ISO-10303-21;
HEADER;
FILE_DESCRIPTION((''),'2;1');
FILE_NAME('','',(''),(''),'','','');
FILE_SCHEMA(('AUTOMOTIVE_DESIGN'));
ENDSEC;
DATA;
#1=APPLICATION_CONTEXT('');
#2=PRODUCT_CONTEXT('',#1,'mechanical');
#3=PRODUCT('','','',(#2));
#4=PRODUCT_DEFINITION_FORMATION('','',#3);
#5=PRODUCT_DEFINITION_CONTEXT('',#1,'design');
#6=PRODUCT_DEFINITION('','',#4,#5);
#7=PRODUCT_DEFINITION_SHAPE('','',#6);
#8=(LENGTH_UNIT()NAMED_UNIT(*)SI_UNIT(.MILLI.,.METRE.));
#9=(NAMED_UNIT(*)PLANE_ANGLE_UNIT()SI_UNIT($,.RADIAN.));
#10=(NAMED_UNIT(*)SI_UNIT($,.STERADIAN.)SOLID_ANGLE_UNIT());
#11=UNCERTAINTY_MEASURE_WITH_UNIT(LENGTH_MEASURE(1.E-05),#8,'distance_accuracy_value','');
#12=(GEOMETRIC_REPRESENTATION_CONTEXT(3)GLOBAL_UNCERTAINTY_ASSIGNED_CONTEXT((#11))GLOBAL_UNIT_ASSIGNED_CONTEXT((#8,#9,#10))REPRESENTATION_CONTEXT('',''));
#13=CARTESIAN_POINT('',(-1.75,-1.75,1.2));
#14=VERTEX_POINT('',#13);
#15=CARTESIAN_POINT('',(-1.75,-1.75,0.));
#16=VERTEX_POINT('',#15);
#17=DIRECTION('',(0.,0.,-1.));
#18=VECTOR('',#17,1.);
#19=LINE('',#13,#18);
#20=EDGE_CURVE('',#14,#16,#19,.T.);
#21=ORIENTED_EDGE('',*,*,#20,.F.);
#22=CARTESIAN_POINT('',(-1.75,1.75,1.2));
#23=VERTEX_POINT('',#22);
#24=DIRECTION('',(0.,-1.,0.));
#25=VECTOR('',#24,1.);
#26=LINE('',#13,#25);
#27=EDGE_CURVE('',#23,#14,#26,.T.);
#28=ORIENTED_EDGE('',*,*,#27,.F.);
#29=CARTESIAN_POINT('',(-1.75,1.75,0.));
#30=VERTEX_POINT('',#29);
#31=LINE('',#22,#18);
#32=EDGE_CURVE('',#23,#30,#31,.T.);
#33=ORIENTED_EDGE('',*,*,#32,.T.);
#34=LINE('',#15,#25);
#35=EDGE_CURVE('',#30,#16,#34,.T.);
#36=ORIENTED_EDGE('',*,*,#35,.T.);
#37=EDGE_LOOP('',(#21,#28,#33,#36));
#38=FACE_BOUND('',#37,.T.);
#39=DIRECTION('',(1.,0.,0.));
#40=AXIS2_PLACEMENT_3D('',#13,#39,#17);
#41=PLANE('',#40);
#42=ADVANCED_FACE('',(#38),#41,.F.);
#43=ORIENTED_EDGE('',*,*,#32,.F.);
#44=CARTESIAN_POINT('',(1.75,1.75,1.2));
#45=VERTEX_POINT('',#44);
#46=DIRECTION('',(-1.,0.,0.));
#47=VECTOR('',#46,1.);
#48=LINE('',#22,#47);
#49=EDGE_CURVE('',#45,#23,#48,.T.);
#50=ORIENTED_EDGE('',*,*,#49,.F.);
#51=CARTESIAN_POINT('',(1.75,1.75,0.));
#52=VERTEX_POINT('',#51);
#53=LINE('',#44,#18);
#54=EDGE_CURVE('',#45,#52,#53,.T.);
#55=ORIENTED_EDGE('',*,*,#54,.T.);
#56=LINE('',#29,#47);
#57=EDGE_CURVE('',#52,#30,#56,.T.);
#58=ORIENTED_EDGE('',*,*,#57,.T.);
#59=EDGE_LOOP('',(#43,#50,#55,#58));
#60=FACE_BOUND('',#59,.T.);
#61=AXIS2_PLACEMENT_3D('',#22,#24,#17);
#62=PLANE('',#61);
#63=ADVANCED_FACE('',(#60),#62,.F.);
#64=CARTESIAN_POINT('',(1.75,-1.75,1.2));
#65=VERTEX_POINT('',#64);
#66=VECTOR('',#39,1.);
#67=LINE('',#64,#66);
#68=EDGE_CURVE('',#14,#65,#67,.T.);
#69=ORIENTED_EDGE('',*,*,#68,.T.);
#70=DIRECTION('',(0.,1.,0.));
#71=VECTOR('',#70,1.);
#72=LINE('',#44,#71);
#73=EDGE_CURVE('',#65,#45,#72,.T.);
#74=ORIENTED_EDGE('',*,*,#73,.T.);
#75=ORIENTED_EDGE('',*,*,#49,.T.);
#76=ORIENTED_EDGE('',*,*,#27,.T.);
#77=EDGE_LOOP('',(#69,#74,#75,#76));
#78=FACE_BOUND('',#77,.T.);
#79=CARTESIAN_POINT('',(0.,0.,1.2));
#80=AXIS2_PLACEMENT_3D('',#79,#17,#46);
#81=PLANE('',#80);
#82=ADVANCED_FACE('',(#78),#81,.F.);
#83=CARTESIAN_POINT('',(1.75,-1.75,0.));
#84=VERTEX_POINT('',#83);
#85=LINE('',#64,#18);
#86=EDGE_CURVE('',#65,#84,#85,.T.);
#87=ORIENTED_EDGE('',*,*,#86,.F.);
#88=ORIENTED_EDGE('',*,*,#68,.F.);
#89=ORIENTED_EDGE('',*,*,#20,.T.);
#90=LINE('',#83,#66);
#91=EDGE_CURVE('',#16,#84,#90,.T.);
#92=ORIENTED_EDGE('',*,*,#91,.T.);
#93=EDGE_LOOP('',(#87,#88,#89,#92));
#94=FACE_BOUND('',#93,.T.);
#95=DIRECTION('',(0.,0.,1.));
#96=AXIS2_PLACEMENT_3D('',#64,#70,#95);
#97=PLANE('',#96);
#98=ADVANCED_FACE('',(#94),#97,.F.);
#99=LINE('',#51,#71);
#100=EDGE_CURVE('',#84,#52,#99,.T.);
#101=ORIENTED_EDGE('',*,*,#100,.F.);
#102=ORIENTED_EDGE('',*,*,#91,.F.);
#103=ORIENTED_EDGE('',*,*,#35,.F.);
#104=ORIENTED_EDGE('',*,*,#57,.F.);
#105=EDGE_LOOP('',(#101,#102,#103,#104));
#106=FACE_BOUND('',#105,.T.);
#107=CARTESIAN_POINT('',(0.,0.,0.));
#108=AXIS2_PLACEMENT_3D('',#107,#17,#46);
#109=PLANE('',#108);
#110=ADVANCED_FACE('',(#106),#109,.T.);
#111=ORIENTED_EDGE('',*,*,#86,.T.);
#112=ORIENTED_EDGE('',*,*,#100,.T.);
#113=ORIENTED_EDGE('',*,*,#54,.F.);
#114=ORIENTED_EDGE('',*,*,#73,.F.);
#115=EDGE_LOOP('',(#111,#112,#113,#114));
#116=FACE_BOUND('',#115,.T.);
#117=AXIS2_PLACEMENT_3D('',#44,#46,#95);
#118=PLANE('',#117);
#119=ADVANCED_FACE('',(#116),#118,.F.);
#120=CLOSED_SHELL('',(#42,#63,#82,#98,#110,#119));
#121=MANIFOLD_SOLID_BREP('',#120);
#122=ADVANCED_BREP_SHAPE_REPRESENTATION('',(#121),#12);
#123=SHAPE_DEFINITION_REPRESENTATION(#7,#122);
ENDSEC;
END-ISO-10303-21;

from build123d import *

# Parameters (mm, degrees)
SKETCH_1_W              = 3.5
SKETCH_1_H              = 3.5
COMPONENT_OUTLINE_DEPTH = 1.2


with BuildPart() as part:
    # 草图1 → Component_Outline (new body)
    with BuildSketch(Plane.XY):
        Rectangle(SKETCH_1_W, SKETCH_1_H)
    extrude(amount=COMPONENT_OUTLINE_DEPTH)


solid = part.part
